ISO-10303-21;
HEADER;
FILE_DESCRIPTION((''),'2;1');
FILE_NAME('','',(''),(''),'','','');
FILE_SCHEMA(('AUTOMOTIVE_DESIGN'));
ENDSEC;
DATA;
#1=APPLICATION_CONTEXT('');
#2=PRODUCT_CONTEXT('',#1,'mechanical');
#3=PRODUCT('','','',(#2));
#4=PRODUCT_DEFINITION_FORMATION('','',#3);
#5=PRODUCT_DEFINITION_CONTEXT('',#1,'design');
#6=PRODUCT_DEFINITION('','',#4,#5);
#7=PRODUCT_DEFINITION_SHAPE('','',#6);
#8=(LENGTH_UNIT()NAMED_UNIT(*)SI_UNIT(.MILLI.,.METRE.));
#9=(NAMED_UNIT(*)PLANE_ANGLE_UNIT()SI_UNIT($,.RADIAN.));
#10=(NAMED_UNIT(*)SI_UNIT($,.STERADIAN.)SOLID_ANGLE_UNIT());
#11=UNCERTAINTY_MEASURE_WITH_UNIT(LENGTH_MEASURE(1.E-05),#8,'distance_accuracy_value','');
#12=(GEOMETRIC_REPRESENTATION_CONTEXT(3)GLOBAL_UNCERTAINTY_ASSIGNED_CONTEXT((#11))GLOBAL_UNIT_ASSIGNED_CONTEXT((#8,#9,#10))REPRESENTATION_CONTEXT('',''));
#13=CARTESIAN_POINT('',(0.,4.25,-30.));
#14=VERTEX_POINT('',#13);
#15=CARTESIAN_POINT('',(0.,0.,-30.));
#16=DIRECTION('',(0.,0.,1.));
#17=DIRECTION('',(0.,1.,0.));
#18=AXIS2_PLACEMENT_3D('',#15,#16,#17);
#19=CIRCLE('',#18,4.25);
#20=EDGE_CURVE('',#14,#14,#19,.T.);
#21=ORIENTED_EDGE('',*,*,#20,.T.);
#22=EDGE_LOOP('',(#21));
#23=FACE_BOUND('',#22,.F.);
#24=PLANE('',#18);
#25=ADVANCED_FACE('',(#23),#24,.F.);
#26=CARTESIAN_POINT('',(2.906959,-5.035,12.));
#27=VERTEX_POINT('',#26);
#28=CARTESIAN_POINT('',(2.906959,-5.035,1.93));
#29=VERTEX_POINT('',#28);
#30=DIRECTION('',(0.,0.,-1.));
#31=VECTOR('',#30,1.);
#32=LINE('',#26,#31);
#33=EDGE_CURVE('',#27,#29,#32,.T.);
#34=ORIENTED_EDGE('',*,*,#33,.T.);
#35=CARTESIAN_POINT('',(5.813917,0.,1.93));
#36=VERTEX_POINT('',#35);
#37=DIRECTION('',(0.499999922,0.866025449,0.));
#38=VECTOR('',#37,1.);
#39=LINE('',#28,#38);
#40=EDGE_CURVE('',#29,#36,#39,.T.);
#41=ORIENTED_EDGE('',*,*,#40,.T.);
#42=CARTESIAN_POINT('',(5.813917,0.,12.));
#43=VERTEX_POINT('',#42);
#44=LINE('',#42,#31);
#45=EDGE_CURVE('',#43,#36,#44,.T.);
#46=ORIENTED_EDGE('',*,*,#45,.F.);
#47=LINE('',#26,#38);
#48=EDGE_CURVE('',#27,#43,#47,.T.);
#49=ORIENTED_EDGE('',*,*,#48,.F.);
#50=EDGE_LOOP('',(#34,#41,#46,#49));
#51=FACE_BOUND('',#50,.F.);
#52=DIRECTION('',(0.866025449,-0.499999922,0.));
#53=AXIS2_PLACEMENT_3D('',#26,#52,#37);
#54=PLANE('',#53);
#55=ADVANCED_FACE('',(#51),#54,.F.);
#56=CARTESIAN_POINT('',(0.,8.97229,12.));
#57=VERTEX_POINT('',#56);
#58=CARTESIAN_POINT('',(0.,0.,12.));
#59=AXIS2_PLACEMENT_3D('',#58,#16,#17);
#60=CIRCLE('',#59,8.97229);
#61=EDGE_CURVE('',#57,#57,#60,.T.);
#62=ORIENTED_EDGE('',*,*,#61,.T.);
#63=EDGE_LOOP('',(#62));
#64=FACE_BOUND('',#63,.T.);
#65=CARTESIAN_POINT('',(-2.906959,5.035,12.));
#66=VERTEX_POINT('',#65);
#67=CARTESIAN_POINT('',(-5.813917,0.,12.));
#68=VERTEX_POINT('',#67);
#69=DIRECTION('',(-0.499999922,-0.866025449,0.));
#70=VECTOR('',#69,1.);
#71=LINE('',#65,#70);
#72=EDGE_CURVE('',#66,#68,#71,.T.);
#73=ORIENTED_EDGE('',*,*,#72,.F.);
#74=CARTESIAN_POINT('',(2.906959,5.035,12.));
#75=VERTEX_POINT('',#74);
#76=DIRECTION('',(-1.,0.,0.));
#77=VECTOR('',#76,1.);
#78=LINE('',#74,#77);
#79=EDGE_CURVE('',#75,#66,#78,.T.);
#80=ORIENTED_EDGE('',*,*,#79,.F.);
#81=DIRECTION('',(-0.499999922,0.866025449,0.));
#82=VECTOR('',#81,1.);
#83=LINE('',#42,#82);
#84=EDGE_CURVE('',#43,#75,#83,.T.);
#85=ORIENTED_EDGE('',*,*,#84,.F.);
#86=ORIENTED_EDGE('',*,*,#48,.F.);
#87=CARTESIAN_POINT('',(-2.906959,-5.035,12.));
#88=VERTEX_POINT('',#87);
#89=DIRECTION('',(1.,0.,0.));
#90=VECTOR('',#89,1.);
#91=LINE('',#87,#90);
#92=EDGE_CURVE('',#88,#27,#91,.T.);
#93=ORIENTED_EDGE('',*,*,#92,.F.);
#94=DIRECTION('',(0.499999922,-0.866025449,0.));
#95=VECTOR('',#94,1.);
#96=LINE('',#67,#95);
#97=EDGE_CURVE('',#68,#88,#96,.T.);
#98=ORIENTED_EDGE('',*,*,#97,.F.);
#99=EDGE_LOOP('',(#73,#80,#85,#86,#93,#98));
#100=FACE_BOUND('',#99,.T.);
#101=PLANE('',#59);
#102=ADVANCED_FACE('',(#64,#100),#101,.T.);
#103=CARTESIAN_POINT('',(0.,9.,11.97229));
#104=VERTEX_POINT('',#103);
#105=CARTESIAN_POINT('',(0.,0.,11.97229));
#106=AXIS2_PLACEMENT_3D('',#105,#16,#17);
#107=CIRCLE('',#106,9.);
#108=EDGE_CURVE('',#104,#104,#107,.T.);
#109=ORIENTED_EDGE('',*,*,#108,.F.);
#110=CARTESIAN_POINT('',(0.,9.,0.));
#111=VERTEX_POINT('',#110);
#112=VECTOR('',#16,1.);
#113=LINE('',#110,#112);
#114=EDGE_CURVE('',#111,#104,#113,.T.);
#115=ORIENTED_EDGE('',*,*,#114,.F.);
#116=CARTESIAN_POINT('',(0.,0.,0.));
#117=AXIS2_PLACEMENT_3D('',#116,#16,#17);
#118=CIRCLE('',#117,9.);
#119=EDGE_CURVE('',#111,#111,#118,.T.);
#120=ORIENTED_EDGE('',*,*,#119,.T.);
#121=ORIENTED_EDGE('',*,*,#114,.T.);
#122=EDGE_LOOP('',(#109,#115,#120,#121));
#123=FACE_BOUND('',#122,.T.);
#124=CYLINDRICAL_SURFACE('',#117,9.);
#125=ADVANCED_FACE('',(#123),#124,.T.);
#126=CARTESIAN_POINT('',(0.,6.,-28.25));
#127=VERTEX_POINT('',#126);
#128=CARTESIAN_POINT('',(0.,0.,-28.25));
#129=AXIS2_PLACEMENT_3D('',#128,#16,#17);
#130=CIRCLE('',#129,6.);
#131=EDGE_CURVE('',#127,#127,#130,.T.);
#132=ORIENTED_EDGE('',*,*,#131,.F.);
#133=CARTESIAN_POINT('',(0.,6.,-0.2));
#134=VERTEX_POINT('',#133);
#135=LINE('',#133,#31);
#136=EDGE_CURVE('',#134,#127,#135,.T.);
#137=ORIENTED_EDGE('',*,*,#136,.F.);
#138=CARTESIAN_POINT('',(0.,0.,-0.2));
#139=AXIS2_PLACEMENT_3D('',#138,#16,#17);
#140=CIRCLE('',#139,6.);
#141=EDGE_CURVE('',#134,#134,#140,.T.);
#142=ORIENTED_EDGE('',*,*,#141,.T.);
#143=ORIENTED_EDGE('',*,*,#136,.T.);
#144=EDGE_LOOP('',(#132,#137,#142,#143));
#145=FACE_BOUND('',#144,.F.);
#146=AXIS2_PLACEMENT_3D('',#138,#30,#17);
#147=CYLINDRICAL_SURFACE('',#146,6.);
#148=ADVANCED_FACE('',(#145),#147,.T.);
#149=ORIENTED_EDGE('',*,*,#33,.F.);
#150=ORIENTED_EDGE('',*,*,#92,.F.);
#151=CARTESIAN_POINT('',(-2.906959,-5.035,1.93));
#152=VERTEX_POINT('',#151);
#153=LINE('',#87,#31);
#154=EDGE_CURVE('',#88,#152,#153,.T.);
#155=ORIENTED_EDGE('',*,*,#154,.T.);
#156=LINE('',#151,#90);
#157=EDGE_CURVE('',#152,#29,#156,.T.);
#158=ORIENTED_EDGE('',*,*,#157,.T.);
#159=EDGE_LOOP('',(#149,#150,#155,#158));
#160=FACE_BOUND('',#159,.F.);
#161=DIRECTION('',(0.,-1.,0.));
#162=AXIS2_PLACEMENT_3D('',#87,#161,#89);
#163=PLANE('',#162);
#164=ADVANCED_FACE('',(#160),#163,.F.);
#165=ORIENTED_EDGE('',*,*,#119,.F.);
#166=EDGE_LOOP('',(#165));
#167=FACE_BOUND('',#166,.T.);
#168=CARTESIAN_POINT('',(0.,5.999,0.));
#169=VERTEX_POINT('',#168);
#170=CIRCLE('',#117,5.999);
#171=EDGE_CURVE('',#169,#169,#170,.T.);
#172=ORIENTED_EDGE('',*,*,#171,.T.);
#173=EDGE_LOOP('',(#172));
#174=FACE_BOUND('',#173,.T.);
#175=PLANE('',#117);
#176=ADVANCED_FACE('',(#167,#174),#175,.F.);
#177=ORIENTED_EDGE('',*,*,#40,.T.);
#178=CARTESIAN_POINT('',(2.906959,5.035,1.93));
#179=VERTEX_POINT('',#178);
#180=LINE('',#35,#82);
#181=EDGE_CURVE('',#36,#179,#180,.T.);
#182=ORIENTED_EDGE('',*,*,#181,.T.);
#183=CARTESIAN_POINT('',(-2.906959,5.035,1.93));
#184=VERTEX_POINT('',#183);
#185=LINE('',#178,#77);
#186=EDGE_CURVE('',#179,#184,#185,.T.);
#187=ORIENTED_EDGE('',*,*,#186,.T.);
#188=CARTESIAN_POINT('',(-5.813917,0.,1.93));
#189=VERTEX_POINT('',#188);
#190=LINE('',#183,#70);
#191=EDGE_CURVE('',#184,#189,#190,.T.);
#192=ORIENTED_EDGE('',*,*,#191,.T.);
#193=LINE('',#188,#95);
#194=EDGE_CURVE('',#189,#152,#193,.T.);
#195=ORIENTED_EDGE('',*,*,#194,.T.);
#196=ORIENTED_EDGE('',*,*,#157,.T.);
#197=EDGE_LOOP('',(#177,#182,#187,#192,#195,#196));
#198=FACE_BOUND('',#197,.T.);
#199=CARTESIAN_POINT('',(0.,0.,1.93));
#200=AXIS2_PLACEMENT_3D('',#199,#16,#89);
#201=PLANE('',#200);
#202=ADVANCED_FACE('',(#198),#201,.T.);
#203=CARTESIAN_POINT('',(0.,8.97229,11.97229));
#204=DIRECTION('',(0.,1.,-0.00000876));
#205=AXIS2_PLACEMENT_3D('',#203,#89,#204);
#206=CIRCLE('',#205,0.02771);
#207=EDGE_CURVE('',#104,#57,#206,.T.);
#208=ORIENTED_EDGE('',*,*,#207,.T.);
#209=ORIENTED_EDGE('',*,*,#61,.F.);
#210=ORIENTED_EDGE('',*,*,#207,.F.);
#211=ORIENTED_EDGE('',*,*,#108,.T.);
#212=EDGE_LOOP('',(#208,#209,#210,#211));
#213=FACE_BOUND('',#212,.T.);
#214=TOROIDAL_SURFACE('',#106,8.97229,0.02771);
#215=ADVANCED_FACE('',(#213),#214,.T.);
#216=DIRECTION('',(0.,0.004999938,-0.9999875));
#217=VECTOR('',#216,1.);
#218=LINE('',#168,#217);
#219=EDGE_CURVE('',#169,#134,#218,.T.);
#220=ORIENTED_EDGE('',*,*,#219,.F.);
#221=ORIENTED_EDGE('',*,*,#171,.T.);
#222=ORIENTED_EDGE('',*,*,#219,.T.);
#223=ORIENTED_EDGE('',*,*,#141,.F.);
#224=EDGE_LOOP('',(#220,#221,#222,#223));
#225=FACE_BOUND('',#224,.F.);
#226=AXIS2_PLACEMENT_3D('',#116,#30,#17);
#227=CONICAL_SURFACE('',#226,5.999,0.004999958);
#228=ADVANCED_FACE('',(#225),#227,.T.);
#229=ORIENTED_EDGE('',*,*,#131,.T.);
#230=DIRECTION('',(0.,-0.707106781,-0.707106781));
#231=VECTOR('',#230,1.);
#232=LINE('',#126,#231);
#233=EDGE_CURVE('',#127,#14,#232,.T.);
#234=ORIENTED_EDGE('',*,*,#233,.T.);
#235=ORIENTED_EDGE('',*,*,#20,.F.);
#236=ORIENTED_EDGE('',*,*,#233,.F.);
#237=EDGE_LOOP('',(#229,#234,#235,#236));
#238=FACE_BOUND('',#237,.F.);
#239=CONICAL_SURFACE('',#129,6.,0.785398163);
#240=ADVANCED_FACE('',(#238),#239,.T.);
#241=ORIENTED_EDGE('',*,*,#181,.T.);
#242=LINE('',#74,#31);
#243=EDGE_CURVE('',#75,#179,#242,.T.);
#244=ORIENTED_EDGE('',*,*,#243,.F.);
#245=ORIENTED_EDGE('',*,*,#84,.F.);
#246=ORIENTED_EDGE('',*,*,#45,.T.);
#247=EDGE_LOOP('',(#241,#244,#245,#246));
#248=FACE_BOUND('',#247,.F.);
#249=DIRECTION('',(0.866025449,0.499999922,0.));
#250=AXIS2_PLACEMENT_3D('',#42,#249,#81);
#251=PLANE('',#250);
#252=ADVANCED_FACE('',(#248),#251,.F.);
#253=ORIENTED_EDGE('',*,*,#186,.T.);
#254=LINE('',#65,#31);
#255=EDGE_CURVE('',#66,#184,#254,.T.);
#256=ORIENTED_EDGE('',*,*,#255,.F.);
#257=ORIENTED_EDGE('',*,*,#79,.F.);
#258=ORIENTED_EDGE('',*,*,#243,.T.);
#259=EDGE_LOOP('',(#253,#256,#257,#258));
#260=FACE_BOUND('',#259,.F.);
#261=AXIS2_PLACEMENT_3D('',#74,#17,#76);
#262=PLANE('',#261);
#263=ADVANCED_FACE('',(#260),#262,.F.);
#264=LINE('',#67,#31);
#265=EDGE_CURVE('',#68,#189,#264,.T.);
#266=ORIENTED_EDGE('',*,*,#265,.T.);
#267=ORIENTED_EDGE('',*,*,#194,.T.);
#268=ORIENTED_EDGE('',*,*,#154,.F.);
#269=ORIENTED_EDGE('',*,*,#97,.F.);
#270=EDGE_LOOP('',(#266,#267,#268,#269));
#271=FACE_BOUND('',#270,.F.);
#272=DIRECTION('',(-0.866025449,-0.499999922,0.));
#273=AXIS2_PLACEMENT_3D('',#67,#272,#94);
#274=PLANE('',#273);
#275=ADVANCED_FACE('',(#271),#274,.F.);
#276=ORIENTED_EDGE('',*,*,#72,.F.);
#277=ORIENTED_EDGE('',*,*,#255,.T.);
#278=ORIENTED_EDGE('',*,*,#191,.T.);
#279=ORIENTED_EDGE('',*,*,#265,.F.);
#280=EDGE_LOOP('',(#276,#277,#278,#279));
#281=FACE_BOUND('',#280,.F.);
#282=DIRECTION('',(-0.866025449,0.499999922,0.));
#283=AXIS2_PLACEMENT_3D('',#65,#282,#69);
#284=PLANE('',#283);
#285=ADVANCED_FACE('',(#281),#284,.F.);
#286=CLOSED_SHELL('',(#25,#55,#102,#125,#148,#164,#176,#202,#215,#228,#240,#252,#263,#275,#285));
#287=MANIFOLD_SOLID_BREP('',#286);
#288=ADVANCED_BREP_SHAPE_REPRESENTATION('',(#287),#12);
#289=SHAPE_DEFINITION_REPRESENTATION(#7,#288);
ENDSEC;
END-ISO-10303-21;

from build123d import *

# Parameters (mm, degrees)
POCKET_DEPTH = 10.07


with BuildPart() as part:
    # Sketch → Revolve (revolve)
    with BuildSketch(Plane.YZ):
        with BuildLine():
            Line((5.999, 0), (9, 0))
            Line((9, 0), (9, 11.97229))
            ThreePointArc((9, 11.97229), (8.991884, 11.991884), (8.97229, 12))
            Line((8.97229, 12), (0, 12))
            Line((0, -30), (0, 12))
            Line((4.25, -30), (0, -30))
            Line((6, -28.25), (4.25, -30))
            Line((6, -0.2), (6, -28.25))
            Line((5.999, 0), (6, -0.2))
        make_face()
    revolve(axis=Axis((0, 0, 0), (0, 0, 1)))

    # Sketch001 → Pocket (cut)
    with BuildSketch(Plane.XY.offset(12)):
        Polygon((5.813917, 0), (2.906959, 5.035), (-2.906959, 5.035), (-5.813917, 0), (-2.906959, -5.035), (2.906959, -5.035), align=None)
    extrude(amount=-POCKET_DEPTH, mode=Mode.SUBTRACT)


solid = part.part
